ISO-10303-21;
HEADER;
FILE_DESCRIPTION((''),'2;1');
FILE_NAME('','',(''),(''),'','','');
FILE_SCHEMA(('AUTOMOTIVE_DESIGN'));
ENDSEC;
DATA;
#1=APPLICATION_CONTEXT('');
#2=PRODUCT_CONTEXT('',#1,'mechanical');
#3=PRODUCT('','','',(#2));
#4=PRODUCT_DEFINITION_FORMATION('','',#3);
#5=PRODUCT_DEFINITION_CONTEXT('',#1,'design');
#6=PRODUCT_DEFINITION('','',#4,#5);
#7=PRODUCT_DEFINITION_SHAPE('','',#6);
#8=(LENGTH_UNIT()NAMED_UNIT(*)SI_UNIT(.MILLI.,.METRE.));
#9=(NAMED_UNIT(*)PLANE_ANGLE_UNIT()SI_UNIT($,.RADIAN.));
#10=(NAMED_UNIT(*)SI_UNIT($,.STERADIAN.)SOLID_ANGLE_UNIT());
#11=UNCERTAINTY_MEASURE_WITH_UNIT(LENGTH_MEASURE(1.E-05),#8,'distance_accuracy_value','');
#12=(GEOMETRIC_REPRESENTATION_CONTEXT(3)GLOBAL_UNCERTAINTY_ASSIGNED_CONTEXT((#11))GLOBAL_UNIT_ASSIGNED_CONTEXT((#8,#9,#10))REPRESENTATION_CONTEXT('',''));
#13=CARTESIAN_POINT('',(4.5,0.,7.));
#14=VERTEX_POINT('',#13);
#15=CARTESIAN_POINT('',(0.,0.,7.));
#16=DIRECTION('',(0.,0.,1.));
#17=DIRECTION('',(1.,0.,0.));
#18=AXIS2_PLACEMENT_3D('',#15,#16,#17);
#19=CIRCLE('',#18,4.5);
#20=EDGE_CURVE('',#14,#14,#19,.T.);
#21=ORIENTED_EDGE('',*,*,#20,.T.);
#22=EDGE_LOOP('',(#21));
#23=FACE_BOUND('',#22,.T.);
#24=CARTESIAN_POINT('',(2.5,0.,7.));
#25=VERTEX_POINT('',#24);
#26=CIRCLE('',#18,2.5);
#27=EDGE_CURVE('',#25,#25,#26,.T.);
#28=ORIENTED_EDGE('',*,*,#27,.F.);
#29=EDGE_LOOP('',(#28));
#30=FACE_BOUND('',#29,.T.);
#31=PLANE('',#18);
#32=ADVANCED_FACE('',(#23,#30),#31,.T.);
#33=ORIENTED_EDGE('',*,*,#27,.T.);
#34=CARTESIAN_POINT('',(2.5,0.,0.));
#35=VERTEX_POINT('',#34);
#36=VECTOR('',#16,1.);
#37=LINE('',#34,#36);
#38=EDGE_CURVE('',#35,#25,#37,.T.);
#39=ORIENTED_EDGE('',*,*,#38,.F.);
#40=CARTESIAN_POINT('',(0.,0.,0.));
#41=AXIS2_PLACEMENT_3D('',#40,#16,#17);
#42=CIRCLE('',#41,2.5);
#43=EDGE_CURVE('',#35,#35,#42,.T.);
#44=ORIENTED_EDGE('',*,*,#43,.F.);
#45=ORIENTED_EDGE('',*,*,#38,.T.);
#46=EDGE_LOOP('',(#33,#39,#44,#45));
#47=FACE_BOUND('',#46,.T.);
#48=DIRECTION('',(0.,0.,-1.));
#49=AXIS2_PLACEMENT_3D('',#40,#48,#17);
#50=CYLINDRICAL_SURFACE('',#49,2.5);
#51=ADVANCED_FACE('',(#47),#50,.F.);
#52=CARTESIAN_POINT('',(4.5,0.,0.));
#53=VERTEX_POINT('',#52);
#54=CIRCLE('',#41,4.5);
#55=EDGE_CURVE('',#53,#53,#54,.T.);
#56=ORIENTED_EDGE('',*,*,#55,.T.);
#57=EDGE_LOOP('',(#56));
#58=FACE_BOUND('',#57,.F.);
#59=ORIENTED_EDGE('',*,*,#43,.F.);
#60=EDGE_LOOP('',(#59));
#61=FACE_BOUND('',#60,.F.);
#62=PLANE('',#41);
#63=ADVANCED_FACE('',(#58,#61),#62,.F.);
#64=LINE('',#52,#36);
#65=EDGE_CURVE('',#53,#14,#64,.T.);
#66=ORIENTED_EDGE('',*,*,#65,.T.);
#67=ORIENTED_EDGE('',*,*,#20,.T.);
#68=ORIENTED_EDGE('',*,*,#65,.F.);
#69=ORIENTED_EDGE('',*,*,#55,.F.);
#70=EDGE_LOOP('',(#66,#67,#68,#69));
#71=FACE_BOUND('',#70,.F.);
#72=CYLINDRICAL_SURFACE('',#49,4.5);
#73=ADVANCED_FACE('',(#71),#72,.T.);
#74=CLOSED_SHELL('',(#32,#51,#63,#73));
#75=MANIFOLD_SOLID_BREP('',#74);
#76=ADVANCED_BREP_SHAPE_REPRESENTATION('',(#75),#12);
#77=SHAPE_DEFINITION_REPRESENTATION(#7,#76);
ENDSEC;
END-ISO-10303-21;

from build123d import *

# Parameters (mm, degrees)
SKETCH_R   = 4.5
SKETCH_R_2 = 2.5
PAD_DEPTH  = 7


with BuildPart() as part:
    # Sketch → Pad (new body)
    with BuildSketch(Plane.XY):
        Circle(SKETCH_R)
        Circle(SKETCH_R_2, mode=Mode.SUBTRACT)
    extrude(amount=PAD_DEPTH)


solid = part.part
